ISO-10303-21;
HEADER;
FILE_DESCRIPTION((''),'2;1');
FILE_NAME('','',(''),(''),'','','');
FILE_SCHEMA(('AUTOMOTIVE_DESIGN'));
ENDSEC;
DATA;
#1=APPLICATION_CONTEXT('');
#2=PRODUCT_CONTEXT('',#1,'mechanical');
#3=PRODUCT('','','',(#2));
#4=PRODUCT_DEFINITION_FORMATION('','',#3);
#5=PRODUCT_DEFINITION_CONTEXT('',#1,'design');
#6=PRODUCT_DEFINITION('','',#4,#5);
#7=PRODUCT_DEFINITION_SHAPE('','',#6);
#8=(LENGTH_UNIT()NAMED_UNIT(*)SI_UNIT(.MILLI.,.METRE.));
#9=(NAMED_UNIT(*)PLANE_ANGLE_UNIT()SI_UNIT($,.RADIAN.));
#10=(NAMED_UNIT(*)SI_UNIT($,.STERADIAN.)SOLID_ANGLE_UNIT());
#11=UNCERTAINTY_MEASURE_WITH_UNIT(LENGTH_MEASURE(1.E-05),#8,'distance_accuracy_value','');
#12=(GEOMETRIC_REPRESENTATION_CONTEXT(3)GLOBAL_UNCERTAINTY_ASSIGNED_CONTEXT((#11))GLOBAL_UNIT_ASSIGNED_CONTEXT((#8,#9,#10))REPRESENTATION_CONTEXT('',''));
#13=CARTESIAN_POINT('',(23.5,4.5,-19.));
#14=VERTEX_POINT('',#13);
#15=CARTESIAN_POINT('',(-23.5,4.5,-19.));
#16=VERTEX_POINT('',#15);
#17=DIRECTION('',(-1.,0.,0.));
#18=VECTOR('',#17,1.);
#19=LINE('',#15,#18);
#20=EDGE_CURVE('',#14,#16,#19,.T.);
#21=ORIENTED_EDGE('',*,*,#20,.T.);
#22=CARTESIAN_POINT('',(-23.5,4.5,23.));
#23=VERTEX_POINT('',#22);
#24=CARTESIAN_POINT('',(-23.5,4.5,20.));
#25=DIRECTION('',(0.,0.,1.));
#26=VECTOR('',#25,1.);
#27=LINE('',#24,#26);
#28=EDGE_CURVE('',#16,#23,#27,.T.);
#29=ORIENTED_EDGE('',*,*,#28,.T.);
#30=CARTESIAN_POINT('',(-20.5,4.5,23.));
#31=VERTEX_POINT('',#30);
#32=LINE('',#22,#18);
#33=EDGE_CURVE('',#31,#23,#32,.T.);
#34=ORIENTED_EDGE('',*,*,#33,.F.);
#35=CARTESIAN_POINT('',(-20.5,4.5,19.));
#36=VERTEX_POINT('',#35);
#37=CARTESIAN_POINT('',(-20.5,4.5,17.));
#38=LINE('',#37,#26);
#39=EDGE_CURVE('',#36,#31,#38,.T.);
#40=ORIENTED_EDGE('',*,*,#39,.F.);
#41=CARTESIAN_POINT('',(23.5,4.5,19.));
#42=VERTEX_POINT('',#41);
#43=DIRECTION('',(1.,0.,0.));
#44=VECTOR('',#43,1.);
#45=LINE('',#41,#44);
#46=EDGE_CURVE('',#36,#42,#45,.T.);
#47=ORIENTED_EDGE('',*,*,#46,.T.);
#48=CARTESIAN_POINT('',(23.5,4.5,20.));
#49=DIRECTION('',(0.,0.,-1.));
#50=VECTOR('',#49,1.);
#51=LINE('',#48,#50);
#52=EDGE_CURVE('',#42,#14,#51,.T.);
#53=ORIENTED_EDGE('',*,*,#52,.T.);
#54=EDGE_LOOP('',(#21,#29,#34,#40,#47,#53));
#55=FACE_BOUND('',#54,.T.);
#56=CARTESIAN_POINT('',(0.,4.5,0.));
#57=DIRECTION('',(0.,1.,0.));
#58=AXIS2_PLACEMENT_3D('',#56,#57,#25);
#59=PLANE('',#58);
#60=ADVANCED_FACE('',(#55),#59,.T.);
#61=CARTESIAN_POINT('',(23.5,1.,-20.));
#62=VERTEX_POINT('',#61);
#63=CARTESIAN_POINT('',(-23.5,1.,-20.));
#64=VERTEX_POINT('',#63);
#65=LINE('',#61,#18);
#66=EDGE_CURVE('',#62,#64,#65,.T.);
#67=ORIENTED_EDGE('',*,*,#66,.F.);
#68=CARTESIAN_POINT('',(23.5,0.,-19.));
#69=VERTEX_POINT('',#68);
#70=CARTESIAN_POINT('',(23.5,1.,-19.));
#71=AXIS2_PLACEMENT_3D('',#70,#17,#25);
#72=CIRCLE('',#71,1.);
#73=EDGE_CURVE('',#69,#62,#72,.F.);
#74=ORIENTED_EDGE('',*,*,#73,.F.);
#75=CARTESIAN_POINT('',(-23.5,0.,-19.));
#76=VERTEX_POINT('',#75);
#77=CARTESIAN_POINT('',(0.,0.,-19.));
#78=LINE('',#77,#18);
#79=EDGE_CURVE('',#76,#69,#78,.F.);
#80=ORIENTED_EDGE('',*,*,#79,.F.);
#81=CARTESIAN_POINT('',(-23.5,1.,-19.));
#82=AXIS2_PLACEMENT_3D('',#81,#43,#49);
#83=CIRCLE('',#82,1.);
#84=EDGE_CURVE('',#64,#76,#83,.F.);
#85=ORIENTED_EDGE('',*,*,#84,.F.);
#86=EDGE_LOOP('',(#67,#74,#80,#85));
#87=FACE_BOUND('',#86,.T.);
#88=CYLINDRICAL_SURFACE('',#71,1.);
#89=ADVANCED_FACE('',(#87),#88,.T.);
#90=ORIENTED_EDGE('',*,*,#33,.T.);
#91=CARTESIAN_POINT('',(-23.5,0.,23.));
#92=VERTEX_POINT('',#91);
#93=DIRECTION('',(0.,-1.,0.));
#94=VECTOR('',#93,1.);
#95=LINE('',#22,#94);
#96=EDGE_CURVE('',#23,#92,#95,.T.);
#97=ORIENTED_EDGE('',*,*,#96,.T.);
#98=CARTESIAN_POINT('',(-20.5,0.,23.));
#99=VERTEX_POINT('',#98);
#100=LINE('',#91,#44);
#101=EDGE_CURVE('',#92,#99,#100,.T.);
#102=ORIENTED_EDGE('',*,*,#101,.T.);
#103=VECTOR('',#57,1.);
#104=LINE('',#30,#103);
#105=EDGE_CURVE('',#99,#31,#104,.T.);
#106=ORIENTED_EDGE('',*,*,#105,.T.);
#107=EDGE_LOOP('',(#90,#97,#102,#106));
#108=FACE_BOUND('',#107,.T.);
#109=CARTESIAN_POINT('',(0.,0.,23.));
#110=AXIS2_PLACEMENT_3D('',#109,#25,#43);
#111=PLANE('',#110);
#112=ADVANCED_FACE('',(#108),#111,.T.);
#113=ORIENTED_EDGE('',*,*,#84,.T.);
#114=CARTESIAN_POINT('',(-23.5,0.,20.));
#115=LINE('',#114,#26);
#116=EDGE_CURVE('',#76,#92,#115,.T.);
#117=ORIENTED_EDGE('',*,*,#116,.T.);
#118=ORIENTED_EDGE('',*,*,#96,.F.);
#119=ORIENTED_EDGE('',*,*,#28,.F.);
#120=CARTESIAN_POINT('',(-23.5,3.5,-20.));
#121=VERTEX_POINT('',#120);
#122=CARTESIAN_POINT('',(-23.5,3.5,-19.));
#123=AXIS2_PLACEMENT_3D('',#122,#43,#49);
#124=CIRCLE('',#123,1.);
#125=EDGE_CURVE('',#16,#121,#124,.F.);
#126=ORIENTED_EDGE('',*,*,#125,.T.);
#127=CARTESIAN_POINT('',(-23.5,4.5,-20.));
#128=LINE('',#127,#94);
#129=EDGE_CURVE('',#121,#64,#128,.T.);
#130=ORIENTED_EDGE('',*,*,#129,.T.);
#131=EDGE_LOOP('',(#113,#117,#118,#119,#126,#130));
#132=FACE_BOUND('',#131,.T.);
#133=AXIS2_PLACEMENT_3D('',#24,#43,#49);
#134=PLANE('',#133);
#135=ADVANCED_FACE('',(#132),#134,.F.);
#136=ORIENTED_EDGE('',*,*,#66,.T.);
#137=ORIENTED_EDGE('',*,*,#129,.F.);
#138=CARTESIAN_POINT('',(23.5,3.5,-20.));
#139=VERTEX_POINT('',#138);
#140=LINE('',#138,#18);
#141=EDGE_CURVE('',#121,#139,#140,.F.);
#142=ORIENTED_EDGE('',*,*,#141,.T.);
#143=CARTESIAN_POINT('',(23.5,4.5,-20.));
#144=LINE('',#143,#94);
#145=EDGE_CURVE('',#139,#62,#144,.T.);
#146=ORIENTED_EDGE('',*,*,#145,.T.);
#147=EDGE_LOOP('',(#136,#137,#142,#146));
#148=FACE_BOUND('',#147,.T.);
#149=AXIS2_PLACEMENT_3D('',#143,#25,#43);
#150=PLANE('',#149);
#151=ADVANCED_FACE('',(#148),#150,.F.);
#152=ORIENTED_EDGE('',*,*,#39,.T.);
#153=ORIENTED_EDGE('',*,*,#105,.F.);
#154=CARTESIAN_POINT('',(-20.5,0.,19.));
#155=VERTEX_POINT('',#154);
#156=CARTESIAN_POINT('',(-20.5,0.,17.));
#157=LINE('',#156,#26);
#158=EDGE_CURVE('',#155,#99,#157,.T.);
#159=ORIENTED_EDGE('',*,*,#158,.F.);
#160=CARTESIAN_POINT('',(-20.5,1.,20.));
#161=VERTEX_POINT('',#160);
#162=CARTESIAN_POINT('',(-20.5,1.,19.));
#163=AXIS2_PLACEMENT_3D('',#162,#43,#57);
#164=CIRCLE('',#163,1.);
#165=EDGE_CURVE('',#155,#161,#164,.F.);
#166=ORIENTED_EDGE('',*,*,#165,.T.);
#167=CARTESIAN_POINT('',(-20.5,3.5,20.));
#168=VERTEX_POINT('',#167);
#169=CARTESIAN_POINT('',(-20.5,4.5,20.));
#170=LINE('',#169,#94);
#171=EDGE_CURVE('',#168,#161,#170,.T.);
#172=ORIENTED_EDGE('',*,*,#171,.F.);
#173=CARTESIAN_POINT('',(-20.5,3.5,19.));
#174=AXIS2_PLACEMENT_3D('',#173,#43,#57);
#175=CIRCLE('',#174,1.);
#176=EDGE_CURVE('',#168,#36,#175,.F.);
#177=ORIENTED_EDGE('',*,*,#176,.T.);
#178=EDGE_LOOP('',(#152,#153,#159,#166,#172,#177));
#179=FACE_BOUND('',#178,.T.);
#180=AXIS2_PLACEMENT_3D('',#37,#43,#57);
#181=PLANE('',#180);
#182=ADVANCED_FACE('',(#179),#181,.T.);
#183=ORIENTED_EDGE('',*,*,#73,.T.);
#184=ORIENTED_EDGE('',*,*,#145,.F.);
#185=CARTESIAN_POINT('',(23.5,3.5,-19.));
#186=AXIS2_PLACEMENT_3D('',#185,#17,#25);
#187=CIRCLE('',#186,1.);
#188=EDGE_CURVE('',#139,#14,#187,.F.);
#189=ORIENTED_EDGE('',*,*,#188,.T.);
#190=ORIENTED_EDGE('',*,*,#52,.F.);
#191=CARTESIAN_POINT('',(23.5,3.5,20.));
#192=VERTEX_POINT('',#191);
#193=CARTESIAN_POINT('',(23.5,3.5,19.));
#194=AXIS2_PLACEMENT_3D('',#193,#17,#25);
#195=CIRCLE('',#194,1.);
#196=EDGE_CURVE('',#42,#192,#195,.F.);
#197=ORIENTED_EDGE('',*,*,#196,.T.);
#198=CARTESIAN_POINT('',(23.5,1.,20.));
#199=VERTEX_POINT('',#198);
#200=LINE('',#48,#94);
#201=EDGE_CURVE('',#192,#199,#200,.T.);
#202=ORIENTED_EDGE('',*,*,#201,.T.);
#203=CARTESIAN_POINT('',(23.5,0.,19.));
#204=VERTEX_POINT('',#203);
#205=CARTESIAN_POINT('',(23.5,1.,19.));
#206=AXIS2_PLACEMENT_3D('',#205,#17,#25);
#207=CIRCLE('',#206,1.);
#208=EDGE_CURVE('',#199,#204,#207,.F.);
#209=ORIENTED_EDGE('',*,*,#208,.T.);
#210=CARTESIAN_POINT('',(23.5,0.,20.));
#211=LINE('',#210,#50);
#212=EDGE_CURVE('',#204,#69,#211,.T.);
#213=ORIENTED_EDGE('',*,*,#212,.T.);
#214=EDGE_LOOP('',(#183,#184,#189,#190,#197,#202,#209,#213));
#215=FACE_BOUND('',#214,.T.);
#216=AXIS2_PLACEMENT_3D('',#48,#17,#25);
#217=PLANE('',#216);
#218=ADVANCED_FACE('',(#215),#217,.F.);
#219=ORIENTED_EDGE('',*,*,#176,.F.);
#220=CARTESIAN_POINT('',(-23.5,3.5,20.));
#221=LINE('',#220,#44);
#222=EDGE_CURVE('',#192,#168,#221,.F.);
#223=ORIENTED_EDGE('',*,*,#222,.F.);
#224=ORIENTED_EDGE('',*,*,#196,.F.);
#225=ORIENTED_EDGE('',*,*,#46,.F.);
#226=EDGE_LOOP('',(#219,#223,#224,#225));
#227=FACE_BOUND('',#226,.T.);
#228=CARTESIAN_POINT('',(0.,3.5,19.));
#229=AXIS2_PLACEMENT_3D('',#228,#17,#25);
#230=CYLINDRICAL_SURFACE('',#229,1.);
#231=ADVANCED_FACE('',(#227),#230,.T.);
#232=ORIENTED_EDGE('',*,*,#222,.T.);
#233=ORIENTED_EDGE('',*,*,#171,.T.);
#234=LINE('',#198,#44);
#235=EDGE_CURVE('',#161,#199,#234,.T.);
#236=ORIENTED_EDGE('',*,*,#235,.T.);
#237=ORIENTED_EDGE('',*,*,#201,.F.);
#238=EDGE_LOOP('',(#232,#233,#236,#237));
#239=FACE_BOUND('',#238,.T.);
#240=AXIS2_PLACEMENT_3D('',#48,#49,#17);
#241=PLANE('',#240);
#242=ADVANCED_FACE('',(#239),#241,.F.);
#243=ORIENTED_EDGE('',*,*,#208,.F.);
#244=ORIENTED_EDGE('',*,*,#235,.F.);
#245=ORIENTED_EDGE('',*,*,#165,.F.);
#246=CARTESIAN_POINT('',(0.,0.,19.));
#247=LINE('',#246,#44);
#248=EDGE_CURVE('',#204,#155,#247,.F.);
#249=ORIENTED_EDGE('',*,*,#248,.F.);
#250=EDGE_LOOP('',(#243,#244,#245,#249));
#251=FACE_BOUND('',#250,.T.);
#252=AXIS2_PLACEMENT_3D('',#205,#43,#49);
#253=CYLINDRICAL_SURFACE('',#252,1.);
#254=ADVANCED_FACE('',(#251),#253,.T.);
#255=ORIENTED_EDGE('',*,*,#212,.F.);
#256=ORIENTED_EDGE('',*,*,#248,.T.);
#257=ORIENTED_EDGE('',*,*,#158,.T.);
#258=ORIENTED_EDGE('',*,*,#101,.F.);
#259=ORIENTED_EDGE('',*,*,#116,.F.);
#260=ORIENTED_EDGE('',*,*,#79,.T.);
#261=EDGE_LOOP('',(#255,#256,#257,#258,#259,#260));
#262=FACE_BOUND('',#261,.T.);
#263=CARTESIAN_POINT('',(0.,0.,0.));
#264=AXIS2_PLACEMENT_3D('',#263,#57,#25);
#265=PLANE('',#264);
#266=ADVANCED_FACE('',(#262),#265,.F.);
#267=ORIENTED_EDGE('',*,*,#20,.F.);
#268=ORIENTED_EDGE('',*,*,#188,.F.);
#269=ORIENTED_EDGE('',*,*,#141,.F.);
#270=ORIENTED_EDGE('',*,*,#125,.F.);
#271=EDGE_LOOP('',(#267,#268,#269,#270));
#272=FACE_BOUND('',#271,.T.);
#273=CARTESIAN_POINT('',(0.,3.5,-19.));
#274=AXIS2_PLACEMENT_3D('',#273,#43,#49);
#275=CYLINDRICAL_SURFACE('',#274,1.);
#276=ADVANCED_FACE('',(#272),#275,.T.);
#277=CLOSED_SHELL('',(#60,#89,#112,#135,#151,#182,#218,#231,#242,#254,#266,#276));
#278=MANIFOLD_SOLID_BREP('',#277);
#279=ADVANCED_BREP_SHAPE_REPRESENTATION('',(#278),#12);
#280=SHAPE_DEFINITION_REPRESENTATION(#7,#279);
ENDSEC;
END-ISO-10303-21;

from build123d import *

# Parameters (mm, degrees)
SKETCH1_W                = 47
SKETCH1_H                = 40
BOSS_EXTRUDE1_DEPTH      = 4.5
FILLET1_R                = 1
SKETCH2_W                = 3
SKETCH2_H                = 4.5
BOSS_EXTRUDE2_DEPTH      = 3
BOSS_EXTRUDE2_DEPTH_BACK = 3


with BuildPart() as part:
    # Sketch1 → Boss-Extrude1 (new body)
    with BuildSketch(Plane(origin=(0, 0, 0), x_dir=(1, 0, 0), z_dir=(0, 1, 0))):
        Rectangle(SKETCH1_W, SKETCH1_H)
    extrude(amount=BOSS_EXTRUDE1_DEPTH)

    # Fillet1
    fillet1_edges = [part.edges().sort_by_distance(p)[0] for p in [
        (0, 4.5, -20),
        (0, 0, -20),
        (0, 0, 20),
        (0, 4.5, 20),
    ]]
    fillet(fillet1_edges, radius=FILLET1_R)

    # Sketch2 → Boss-Extrude2 (add, two sides)
    with BuildSketch(Plane.XY.offset(20)) as boss_extrude2_sk:
        with Locations((-22, 2.25)):
            Rectangle(SKETCH2_W, SKETCH2_H)
    extrude(amount=BOSS_EXTRUDE2_DEPTH)
    extrude(boss_extrude2_sk.sketch, amount=-BOSS_EXTRUDE2_DEPTH_BACK)


solid = part.part
